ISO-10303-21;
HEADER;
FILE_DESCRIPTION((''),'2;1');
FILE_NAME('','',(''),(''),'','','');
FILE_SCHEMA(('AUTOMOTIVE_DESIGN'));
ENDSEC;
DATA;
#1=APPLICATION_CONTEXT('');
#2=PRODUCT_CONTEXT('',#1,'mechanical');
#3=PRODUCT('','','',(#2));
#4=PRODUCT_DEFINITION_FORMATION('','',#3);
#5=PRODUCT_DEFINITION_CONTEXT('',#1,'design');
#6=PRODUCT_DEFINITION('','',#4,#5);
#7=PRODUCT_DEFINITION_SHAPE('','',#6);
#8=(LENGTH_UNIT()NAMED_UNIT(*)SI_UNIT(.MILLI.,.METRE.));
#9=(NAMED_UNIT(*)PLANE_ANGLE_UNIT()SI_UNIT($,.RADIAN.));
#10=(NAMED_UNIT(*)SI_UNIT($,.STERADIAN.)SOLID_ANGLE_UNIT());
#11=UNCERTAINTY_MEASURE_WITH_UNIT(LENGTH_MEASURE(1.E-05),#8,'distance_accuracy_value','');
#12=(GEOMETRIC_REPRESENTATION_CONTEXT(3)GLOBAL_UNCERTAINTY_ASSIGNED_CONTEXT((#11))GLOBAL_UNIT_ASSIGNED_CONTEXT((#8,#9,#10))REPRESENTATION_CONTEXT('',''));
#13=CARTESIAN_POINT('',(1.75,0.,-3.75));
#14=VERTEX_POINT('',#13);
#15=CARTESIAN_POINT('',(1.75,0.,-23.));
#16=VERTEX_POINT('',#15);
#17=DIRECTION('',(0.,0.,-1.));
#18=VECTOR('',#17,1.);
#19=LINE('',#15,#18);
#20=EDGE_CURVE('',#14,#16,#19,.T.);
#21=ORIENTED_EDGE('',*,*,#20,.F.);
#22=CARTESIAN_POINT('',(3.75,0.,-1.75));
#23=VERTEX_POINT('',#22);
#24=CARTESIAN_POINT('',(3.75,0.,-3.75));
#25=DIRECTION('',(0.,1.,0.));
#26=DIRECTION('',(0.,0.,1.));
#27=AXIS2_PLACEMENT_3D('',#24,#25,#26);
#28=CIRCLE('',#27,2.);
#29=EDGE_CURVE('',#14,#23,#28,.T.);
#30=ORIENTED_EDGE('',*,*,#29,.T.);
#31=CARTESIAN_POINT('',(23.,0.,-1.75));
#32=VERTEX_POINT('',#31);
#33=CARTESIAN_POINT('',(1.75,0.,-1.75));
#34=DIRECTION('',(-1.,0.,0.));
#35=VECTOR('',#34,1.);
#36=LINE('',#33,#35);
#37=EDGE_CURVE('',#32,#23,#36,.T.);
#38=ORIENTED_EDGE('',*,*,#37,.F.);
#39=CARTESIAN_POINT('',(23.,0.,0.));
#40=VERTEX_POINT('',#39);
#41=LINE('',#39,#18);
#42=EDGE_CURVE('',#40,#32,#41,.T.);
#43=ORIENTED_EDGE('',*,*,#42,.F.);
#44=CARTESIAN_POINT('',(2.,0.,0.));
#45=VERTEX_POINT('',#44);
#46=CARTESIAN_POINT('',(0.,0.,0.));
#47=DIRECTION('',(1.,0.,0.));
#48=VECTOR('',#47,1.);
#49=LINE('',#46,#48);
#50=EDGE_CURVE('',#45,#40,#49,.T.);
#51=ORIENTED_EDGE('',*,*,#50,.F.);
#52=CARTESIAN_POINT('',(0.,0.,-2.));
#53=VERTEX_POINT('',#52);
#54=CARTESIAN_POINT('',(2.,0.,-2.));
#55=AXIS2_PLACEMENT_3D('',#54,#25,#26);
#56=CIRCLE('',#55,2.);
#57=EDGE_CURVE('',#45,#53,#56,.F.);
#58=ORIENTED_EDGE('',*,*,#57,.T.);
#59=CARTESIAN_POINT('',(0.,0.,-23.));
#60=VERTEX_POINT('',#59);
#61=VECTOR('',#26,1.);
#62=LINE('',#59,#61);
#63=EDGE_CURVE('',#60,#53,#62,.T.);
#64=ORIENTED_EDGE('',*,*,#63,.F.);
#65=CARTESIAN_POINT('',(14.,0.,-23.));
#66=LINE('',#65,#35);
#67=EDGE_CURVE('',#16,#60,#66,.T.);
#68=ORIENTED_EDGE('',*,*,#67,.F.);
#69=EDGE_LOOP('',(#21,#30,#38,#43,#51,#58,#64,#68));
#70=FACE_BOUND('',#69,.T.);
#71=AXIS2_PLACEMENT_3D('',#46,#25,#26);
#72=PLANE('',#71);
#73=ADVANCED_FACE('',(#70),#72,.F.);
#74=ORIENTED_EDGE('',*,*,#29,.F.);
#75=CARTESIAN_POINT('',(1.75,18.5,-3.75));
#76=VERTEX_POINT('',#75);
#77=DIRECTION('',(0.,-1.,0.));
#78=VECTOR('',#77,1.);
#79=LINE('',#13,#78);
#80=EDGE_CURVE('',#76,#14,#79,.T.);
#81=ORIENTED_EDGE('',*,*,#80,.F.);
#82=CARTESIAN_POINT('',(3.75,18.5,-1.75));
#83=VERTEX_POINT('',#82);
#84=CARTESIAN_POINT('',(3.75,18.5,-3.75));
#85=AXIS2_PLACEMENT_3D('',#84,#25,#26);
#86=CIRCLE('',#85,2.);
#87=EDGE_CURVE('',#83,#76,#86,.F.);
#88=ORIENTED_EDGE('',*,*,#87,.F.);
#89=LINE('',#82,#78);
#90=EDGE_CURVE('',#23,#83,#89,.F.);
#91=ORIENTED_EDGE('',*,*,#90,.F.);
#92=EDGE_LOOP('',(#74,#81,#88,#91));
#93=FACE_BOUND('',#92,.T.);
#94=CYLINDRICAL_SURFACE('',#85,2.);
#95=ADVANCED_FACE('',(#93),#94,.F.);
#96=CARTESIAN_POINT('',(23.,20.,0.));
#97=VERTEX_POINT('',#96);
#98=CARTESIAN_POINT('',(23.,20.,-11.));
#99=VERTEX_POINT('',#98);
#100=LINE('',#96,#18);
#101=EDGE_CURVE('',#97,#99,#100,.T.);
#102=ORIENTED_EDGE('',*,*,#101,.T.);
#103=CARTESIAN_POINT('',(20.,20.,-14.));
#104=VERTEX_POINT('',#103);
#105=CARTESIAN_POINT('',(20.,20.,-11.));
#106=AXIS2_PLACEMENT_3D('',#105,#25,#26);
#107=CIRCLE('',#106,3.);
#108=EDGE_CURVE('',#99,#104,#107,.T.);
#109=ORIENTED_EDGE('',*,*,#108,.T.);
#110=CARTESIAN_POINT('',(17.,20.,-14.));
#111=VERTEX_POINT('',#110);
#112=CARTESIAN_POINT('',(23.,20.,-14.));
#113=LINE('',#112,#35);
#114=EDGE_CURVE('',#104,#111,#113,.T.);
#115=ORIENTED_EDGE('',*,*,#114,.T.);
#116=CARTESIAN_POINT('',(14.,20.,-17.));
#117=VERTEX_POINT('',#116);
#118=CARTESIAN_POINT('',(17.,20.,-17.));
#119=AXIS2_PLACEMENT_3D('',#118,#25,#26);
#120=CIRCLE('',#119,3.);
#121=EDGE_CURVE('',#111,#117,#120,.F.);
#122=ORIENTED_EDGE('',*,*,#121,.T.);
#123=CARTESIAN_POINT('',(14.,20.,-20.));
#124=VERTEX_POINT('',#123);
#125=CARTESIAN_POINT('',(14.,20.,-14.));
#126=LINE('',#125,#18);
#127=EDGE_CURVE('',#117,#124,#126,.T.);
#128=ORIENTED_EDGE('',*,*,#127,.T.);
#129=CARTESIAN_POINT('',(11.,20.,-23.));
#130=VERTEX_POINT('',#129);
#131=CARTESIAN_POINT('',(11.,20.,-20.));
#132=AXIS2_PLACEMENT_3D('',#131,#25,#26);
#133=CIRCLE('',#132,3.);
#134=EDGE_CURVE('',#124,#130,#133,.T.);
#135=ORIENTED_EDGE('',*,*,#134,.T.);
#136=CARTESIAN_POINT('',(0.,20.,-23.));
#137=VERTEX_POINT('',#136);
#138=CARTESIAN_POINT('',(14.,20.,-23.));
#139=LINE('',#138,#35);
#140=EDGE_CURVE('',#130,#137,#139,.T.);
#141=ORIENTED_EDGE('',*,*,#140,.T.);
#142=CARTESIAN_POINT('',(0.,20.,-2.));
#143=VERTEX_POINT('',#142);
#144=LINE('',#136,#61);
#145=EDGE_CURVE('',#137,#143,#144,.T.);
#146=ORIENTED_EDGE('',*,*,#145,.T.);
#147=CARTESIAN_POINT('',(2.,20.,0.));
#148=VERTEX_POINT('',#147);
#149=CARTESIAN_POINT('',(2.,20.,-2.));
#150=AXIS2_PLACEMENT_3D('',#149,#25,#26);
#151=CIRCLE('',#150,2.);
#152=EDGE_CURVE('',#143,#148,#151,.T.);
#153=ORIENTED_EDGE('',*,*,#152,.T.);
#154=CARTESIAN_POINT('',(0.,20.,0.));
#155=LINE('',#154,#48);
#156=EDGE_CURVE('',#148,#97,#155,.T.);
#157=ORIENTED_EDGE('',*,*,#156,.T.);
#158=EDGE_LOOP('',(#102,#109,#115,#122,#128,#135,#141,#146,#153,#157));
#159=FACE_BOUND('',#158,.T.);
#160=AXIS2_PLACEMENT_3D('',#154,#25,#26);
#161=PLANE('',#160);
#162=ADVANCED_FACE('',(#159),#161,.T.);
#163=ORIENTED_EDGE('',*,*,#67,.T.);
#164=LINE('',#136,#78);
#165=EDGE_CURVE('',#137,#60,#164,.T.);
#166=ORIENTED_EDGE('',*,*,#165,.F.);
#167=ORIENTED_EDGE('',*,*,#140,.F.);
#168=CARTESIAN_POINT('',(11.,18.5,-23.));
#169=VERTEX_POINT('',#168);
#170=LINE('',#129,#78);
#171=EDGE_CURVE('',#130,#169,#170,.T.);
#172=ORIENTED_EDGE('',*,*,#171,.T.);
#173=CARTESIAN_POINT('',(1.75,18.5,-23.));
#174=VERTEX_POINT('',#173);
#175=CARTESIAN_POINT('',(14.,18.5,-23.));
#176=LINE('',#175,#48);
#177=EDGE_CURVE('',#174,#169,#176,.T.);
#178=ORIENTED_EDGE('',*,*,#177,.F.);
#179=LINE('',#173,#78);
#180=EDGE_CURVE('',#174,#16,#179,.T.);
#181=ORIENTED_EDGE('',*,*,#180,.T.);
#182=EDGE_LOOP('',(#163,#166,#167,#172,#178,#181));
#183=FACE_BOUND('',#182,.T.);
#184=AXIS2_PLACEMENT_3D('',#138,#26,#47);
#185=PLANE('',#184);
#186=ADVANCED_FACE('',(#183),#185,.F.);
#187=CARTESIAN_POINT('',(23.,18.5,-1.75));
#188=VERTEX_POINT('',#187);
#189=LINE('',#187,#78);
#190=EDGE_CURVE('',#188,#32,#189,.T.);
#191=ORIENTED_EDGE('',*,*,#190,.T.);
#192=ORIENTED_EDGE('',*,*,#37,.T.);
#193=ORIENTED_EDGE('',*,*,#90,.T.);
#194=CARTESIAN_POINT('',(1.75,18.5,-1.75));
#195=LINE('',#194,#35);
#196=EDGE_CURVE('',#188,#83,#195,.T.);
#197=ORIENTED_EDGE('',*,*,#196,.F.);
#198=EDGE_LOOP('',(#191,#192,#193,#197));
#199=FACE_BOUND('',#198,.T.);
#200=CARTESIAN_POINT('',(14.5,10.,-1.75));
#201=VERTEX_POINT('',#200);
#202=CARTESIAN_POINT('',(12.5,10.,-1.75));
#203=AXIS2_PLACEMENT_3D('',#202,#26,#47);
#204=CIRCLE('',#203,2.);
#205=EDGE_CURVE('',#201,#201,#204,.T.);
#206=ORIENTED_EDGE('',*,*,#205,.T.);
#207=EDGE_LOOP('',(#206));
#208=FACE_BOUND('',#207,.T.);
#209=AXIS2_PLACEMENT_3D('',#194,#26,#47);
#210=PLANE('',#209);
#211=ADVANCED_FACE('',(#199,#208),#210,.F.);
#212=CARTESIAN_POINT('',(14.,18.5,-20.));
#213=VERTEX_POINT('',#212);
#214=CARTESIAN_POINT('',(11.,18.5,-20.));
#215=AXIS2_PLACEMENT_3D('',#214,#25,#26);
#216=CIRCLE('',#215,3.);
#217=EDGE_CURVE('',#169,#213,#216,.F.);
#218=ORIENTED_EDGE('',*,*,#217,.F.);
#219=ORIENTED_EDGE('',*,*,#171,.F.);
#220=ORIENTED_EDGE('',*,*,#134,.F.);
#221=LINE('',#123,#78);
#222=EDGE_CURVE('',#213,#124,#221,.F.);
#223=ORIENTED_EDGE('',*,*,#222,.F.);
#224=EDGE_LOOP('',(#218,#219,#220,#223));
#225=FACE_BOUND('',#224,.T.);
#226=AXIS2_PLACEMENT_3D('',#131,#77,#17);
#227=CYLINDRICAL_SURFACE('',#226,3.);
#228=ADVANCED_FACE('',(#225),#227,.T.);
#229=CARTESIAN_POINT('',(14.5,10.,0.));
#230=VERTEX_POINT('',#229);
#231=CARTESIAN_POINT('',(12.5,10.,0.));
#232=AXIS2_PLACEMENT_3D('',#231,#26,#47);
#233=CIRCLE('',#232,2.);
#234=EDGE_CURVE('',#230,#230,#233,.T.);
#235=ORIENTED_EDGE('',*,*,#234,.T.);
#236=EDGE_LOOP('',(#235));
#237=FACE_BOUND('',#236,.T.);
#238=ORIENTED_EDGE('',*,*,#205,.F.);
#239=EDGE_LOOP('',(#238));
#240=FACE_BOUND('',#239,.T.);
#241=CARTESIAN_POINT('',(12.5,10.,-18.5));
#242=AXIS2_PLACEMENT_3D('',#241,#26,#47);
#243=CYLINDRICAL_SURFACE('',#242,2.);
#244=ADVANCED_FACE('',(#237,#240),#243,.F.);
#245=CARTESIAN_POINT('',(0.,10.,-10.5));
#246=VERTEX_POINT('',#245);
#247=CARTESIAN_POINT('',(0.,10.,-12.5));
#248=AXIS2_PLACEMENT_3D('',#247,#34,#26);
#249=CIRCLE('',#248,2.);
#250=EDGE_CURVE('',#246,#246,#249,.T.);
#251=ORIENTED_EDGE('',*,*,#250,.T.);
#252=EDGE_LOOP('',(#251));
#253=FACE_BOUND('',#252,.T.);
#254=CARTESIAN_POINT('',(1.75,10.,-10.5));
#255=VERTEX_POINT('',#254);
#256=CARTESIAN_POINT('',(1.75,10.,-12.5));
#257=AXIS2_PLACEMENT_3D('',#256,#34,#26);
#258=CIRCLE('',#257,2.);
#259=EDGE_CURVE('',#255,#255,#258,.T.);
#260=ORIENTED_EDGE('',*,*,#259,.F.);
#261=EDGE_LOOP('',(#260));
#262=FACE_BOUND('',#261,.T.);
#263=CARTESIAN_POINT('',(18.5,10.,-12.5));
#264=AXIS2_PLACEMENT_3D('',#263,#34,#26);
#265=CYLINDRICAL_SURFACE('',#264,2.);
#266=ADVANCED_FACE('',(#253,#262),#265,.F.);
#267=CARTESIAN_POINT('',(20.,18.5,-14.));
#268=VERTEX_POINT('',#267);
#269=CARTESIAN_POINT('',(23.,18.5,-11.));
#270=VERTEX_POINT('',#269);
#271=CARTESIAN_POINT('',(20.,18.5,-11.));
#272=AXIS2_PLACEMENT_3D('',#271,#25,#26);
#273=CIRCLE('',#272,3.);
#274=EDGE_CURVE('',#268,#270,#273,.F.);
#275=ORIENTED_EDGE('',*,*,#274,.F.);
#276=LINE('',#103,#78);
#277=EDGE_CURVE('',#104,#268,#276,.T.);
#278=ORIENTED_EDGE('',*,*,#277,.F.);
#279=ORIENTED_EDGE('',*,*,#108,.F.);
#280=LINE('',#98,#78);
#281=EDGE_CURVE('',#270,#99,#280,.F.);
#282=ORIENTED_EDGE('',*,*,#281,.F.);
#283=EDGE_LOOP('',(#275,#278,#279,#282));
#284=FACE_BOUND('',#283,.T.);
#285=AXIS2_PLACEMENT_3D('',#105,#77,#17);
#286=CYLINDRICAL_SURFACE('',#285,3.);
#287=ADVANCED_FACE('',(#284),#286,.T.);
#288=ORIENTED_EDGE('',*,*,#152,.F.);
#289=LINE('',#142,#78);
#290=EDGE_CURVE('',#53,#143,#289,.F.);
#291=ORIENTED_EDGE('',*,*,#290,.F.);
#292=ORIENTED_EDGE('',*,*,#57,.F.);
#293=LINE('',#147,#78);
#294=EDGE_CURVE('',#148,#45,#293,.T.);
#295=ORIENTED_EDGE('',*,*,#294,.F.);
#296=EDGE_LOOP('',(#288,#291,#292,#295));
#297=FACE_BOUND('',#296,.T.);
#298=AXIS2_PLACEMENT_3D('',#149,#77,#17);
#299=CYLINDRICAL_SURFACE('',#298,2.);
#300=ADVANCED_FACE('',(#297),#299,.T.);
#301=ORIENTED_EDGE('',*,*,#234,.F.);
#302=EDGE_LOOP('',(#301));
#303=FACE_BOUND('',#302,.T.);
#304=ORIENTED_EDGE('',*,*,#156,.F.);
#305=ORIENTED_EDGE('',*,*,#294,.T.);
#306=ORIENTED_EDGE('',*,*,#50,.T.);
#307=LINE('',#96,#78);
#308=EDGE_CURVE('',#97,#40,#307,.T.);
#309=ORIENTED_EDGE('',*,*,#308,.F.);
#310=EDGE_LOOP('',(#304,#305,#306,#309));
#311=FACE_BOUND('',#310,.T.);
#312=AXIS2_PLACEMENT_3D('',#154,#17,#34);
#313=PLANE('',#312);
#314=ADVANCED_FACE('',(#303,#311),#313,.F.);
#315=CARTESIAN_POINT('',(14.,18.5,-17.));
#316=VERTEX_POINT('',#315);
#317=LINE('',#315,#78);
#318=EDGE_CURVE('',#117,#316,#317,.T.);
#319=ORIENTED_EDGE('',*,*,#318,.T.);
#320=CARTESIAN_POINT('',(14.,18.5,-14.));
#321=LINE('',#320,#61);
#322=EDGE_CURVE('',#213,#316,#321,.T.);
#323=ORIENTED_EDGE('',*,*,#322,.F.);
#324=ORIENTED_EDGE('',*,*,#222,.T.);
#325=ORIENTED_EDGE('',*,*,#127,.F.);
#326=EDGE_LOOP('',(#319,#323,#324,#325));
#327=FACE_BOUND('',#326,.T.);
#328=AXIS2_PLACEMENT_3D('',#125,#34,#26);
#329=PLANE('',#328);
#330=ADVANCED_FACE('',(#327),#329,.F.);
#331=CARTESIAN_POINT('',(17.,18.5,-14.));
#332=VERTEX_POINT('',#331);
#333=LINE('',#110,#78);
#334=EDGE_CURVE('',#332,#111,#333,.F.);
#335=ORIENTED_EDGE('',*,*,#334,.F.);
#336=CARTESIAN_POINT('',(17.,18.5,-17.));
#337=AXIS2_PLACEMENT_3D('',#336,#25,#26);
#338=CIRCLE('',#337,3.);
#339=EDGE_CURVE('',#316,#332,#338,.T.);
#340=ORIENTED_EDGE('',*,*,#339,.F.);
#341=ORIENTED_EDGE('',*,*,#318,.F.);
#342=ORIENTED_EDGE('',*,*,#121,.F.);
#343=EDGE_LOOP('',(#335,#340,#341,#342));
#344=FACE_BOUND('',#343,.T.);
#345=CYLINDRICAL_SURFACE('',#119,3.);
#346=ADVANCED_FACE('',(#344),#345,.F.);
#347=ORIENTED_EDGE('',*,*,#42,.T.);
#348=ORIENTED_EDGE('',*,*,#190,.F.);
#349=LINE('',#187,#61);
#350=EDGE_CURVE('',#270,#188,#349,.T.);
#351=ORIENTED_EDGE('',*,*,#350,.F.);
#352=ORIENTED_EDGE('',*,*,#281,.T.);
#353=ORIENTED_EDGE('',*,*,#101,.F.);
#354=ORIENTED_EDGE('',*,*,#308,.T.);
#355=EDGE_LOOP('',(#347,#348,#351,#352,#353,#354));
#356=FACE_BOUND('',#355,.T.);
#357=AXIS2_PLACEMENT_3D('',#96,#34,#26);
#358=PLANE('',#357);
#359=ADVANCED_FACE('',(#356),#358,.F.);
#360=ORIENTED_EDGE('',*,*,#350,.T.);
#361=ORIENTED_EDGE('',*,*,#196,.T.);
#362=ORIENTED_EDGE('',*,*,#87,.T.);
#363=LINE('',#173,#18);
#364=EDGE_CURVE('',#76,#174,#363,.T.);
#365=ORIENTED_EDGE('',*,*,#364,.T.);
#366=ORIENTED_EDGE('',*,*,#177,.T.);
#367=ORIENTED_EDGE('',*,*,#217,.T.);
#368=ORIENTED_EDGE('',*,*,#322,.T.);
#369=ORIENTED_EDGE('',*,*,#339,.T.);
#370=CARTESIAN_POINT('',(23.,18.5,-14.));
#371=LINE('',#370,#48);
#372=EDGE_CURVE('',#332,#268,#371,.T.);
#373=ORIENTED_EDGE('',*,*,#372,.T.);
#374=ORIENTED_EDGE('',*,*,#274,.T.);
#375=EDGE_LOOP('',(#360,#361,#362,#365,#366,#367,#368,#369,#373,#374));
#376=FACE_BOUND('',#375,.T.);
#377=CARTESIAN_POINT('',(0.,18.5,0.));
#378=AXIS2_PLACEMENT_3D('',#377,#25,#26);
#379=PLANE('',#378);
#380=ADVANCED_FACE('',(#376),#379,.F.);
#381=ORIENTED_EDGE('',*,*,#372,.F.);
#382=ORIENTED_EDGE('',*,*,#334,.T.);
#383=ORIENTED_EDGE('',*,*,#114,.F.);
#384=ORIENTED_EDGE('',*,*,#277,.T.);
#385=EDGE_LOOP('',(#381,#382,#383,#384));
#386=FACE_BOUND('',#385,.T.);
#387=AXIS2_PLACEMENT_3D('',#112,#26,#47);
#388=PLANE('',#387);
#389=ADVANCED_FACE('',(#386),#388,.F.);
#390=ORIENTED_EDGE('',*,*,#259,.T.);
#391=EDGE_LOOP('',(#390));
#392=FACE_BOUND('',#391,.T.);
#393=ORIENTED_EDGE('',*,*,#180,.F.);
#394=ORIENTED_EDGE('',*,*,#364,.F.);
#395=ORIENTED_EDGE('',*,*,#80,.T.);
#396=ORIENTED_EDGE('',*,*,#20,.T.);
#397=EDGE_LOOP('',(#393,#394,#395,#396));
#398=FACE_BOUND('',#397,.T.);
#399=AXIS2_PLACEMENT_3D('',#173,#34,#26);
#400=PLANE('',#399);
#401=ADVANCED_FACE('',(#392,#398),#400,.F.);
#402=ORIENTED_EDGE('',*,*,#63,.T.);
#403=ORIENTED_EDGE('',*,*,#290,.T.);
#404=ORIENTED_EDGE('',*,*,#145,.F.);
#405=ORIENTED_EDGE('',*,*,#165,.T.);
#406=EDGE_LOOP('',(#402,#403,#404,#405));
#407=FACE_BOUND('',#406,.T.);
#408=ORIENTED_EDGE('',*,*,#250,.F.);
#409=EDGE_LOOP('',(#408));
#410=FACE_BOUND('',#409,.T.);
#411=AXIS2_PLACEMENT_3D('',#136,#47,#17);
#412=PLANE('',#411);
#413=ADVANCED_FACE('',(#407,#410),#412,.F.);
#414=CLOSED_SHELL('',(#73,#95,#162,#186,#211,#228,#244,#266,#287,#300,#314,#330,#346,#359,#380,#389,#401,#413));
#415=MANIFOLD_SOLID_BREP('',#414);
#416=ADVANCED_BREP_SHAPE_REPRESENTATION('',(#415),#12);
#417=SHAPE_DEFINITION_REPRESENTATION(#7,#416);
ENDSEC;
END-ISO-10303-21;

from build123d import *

# Parameters (mm, degrees)
SALIENTE_EXTRUIR1_DEPTH = 20
CORTAR_EXTRUIR1_DEPTH   = 18.5
REDONDEO1_R             = 2
REDONDEO2_R             = 3
CROQUIS3_R              = 2
CORTAR_EXTRUIR2_DEPTH   = 18.5
CROQUIS4_R              = 2
CORTAR_EXTRUIR3_DEPTH   = 18.5


with BuildPart() as part:
    # Croquis1 → Saliente-Extruir1 (new body)
    with BuildSketch(Plane(origin=(0, 0, 0), x_dir=(1, 0, 0), z_dir=(0, 1, 0))):
        Polygon((0, 0), (23, 0), (23, 14), (14, 14), (14, 23), (0, 23), align=None)
    extrude(amount=SALIENTE_EXTRUIR1_DEPTH)

    # Croquis2 → Cortar-Extruir1 (cut)
    with BuildSketch(Plane.XZ):
        Polygon((1.75, -23), (1.75, -1.75), (23, -1.75), (23, -14), (14, -14), (14, -23), align=None)
    extrude(amount=-CORTAR_EXTRUIR1_DEPTH, mode=Mode.SUBTRACT)

    # Redondeo1
    redondeo1_edges = [part.edges().sort_by_distance(p)[0] for p in [
        (0, 10, 0),
        (1.75, 9.25, -1.75),
    ]]
    fillet(redondeo1_edges, radius=REDONDEO1_R)

    # Redondeo2
    redondeo2_edges = [part.edges().sort_by_distance(p)[0] for p in [
        (14, 19.25, -23),
        (14, 19.25, -14),
        (23, 19.25, -14),
    ]]
    fillet(redondeo2_edges, radius=REDONDEO2_R)

    # Croquis3 → Cortar-Extruir2 (cut)
    with BuildSketch(Plane.ZY):
        with Locations((-12.5, 10)):
            Circle(CROQUIS3_R)
    extrude(amount=-CORTAR_EXTRUIR2_DEPTH, mode=Mode.SUBTRACT)

    # Croquis4 → Cortar-Extruir3 (cut)
    with BuildSketch(Plane.XY):
        with Locations((12.5, 10)):
            Circle(CROQUIS4_R)
    extrude(amount=-CORTAR_EXTRUIR3_DEPTH, mode=Mode.SUBTRACT)


solid = part.part
